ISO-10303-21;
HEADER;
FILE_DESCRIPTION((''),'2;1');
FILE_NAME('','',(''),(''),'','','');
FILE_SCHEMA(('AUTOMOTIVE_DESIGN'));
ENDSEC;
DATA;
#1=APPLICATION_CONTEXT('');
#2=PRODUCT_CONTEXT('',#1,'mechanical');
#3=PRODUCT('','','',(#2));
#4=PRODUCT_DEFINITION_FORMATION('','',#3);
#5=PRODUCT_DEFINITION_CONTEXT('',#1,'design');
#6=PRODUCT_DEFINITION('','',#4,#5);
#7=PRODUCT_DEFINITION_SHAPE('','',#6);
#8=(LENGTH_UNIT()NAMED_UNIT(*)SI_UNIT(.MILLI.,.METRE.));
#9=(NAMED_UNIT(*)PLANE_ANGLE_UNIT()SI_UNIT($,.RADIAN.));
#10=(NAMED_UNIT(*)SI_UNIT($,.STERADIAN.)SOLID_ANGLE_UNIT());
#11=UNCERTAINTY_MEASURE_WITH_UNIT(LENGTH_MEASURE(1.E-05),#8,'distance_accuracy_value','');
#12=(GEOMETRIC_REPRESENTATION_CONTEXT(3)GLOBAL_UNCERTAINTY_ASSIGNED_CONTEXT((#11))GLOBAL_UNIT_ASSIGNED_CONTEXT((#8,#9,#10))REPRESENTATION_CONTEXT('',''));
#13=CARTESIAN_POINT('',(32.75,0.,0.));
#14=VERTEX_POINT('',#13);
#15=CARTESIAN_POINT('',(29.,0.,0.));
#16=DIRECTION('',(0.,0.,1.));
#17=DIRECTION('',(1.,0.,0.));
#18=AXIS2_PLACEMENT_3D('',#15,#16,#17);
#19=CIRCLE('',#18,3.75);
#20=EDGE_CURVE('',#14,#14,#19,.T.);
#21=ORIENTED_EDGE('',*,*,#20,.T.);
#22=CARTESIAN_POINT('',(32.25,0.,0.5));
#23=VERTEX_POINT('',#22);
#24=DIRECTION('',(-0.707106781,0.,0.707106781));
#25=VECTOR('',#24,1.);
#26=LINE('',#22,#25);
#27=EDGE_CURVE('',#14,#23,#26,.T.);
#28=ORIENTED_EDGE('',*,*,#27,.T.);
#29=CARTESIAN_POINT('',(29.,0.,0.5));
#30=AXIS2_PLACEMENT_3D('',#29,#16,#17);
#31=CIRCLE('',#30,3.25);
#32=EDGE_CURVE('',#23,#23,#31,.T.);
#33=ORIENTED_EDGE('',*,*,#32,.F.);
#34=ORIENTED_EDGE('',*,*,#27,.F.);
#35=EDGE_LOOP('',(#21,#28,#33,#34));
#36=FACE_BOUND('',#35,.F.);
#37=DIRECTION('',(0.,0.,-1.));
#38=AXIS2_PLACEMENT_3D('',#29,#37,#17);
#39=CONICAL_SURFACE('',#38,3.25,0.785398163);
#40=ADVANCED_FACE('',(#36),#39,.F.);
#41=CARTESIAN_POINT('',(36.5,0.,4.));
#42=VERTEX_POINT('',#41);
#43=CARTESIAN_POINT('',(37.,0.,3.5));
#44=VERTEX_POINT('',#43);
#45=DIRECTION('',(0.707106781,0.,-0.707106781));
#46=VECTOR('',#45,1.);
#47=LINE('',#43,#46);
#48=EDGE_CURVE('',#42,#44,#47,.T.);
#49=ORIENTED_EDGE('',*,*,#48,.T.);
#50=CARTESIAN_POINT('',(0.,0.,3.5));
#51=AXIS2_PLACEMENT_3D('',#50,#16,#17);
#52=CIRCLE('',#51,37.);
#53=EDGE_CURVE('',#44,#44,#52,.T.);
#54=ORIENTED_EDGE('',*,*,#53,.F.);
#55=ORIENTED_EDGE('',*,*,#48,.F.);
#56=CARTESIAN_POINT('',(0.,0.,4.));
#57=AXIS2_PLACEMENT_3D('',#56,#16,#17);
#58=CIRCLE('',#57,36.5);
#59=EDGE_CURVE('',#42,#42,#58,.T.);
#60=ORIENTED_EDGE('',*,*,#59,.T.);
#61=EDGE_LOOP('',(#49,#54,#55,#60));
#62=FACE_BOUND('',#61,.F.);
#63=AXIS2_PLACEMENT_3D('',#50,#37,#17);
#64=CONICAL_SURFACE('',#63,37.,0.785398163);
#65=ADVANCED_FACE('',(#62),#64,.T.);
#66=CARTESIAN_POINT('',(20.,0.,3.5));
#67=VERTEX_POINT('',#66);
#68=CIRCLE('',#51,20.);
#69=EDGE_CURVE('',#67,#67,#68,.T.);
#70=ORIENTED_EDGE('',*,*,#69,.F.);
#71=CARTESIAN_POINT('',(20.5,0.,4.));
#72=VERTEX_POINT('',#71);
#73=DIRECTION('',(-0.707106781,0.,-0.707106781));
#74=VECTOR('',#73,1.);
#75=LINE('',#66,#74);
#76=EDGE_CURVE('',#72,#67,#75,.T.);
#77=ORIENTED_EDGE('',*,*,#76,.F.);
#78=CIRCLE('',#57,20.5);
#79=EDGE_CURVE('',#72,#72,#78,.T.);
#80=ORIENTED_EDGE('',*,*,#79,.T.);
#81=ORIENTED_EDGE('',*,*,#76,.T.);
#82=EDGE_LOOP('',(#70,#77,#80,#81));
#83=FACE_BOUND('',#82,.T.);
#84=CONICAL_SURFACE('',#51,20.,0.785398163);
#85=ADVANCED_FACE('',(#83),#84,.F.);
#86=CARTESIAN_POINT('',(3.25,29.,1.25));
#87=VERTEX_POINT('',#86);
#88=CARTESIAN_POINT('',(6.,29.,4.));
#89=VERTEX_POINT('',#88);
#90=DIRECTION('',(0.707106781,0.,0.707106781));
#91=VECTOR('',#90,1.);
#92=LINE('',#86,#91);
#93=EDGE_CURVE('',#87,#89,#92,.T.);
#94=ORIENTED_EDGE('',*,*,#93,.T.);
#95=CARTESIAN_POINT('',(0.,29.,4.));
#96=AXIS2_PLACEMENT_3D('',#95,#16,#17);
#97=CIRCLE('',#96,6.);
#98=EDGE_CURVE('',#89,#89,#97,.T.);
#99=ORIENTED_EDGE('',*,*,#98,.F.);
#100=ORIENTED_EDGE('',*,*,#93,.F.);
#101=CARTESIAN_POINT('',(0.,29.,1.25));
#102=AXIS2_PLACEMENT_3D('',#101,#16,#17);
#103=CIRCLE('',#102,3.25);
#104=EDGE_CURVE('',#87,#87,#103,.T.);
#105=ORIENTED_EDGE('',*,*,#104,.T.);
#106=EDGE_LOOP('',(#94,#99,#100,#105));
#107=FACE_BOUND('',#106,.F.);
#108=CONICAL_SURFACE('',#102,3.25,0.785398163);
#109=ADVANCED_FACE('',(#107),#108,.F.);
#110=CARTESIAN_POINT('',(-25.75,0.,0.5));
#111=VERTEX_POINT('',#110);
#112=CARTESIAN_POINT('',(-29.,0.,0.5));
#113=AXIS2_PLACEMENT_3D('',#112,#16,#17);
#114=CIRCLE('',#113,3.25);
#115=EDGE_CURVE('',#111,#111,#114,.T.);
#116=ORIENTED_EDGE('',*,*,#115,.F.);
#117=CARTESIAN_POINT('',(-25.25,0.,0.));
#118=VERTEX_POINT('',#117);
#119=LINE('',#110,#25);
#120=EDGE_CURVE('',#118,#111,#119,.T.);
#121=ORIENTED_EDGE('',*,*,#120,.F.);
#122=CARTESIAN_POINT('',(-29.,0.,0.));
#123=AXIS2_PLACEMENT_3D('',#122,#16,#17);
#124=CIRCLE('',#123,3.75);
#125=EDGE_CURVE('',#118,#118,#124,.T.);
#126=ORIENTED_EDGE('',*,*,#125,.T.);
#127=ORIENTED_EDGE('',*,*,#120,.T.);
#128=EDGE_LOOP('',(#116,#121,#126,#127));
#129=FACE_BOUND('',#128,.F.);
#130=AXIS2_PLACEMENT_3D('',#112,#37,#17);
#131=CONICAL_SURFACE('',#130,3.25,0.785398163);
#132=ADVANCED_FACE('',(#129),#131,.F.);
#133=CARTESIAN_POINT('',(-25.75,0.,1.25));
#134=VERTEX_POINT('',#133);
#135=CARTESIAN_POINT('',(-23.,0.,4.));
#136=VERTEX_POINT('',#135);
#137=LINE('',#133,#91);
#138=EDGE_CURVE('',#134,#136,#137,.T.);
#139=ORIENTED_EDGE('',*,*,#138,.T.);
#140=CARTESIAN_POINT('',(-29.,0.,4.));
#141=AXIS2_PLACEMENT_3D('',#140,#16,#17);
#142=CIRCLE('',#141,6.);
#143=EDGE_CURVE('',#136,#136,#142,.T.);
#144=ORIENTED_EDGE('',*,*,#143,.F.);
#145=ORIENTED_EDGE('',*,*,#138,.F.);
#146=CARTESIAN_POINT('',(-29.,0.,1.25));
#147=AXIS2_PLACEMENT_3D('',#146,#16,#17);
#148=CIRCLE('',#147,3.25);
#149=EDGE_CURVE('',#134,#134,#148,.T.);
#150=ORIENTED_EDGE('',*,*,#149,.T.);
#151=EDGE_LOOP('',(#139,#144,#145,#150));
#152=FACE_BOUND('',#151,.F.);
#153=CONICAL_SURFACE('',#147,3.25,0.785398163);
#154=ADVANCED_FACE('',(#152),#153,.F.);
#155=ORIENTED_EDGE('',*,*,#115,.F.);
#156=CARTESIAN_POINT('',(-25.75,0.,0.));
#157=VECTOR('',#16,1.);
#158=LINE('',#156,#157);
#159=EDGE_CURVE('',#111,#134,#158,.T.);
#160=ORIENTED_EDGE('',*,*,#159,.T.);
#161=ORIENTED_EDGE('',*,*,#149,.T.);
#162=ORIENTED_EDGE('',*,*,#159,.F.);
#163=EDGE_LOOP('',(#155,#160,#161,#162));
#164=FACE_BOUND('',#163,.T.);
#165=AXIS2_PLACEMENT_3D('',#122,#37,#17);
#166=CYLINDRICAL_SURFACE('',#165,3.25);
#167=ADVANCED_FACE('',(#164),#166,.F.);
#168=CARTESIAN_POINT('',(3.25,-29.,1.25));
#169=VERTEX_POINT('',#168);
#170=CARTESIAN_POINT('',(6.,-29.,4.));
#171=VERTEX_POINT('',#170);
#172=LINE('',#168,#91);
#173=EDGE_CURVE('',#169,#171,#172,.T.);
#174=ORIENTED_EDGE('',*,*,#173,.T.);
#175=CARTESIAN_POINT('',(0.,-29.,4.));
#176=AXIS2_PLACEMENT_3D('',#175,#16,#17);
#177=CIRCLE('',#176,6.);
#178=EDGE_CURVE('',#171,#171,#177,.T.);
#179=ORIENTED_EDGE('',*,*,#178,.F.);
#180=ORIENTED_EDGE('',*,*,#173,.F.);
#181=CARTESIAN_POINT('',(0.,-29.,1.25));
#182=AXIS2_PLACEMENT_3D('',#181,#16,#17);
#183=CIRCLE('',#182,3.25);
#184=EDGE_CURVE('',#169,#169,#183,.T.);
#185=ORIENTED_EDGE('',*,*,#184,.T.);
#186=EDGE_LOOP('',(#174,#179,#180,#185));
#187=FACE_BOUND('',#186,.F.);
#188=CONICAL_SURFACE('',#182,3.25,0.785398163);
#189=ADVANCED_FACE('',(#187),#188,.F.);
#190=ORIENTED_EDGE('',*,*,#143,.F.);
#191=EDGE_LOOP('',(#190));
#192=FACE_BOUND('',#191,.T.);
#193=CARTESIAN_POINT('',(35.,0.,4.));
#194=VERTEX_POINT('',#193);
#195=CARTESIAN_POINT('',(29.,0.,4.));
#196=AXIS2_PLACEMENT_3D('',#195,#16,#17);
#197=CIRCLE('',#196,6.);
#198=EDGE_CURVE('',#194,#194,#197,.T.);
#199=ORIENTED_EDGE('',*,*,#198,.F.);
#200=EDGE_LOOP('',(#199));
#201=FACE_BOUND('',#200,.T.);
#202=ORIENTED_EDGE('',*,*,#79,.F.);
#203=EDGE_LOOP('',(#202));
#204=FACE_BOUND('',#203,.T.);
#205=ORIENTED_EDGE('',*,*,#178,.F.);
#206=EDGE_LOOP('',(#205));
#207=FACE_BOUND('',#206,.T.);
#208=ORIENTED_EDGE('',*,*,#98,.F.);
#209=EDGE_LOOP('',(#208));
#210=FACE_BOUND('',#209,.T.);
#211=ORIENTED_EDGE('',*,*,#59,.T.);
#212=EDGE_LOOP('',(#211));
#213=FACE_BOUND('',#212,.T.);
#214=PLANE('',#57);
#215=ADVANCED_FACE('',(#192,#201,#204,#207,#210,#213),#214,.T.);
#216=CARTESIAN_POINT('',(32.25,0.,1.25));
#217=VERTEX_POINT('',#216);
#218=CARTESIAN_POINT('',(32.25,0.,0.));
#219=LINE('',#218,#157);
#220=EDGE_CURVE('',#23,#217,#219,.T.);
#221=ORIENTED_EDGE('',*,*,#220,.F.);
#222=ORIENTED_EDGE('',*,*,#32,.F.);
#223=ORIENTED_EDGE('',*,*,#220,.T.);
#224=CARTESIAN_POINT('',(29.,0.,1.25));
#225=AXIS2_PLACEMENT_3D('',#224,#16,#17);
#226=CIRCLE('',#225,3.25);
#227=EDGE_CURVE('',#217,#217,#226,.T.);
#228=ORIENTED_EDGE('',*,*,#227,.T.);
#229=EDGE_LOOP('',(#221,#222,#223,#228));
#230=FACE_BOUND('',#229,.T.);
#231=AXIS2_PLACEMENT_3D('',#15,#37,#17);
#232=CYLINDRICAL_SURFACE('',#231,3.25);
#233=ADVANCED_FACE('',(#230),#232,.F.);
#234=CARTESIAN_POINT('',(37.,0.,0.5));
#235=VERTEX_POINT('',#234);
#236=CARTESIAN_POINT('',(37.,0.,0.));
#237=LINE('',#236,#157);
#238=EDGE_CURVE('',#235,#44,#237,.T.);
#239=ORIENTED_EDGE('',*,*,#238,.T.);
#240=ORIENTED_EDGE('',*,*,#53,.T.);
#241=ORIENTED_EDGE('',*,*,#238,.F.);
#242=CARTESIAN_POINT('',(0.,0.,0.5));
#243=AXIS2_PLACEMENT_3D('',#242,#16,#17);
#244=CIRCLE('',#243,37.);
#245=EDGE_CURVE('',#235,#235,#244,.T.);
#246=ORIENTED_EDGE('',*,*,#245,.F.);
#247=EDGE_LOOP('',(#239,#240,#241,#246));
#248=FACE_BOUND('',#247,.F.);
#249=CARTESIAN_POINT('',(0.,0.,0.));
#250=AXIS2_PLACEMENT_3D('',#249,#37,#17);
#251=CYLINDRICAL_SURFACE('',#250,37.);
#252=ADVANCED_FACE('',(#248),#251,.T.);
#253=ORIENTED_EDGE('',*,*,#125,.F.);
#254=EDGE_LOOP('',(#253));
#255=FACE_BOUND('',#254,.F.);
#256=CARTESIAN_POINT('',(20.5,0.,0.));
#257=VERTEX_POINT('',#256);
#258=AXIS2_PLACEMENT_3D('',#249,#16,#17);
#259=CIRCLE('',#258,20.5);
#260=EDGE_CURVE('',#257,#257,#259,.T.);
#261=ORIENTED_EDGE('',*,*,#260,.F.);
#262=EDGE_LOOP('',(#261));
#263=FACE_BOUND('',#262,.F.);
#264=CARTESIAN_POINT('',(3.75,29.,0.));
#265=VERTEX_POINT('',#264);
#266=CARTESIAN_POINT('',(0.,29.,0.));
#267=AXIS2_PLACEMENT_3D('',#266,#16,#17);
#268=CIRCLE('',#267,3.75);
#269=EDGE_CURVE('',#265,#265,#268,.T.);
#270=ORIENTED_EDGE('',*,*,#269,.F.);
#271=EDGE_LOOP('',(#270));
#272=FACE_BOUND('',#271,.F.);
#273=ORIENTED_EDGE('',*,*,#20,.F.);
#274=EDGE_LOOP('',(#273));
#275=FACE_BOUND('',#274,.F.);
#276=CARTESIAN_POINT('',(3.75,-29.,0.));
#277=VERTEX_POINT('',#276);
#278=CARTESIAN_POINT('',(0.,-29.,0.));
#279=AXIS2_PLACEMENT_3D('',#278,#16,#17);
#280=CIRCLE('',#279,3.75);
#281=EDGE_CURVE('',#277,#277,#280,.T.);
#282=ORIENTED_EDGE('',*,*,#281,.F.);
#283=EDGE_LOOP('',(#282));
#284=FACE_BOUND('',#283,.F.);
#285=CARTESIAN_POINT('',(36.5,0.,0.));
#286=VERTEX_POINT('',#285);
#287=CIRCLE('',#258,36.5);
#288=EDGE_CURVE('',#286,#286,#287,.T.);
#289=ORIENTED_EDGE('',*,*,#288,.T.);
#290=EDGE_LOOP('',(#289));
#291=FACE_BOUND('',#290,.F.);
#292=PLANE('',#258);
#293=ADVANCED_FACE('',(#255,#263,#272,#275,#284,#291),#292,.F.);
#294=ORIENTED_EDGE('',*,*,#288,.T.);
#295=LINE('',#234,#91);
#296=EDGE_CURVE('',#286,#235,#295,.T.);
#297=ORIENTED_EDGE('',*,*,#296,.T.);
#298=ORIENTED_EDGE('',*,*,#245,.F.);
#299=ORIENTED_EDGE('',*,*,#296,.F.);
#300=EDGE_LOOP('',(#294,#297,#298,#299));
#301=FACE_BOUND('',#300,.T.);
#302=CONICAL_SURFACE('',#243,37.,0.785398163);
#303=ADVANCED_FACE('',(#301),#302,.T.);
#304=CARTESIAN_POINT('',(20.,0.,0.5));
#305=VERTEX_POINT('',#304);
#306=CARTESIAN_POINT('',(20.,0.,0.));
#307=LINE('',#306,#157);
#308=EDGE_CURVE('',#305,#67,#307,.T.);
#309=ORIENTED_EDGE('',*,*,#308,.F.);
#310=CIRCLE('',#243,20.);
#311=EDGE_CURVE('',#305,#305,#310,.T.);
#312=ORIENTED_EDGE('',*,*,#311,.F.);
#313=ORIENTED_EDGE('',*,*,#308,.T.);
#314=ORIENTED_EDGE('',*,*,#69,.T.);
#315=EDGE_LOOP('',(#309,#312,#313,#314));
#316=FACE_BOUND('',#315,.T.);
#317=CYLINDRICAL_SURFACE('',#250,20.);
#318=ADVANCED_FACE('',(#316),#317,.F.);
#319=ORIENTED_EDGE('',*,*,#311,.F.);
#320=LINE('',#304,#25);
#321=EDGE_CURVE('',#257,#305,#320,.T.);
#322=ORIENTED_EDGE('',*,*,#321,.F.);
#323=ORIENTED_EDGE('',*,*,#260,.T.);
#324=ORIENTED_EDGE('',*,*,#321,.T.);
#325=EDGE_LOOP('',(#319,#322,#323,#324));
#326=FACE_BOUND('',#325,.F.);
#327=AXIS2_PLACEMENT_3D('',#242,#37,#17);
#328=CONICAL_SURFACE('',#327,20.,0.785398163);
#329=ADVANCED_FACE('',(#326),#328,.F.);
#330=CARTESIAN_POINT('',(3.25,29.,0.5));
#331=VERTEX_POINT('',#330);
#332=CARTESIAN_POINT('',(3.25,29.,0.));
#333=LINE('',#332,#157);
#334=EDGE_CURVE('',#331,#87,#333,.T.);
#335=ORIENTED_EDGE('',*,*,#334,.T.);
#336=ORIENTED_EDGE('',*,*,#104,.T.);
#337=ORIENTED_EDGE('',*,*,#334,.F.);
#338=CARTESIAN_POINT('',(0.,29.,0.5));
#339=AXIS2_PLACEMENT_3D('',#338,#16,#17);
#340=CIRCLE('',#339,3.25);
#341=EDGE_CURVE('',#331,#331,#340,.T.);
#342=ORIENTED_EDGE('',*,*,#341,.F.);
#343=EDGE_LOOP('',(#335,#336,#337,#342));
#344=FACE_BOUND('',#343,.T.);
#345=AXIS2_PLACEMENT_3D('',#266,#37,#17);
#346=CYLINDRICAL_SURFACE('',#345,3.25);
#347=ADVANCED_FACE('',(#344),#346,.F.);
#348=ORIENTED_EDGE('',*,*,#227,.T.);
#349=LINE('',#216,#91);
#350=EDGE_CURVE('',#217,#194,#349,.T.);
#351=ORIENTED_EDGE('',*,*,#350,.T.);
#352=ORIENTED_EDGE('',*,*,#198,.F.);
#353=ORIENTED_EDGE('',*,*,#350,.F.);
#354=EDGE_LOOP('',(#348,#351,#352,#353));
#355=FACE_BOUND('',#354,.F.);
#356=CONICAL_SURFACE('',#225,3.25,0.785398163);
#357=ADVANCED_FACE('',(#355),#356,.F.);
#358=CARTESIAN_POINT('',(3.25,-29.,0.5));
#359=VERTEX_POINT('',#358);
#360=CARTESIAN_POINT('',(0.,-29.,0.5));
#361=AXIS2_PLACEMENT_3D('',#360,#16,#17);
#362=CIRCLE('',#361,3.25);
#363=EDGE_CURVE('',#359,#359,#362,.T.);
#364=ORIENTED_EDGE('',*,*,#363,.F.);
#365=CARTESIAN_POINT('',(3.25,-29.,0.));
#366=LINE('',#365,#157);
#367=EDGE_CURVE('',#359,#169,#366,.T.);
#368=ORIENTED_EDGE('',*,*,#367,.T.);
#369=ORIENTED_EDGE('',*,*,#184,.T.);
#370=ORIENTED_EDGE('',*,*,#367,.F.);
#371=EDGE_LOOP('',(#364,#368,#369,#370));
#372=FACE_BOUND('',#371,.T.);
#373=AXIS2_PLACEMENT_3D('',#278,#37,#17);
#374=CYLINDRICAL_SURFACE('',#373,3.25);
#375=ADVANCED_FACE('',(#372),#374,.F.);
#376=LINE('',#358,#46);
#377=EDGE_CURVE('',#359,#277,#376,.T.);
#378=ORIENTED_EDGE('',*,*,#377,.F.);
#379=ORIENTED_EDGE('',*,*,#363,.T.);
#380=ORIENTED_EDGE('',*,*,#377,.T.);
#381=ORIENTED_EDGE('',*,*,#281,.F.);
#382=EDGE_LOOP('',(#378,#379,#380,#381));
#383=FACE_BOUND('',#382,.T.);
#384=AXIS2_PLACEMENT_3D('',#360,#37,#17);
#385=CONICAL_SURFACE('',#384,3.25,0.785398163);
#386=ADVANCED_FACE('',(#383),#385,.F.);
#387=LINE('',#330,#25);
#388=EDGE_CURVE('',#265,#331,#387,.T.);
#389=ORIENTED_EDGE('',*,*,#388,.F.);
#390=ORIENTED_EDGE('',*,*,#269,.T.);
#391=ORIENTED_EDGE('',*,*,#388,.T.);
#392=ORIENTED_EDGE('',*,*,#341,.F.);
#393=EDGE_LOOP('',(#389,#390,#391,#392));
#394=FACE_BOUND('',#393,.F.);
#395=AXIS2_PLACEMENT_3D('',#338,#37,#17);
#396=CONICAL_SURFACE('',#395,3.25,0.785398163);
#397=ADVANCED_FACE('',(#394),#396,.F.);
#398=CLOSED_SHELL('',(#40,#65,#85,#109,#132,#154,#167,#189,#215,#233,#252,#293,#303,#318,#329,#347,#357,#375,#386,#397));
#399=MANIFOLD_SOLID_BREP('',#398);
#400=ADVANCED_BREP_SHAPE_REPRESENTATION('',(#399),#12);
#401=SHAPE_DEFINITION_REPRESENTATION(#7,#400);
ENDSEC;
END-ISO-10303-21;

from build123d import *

# Parameters (mm, degrees)
F0_R     = 37
F0_R_2   = 3.25
F0_R_3   = 20
F1_DEPTH = 4
F2_SIZE  = 2.75
F3_SIZE  = 0.5


with BuildPart() as f1:
    # F0 (on Top) → F1 (new body)
    with BuildSketch(Plane.XY):
        Circle(F0_R)
        with Locations((0, -29)):
            Circle(F0_R_2, mode=Mode.SUBTRACT)
        with Locations((-29, 0)):
            Circle(F0_R_2, mode=Mode.SUBTRACT)
        Circle(F0_R_3, mode=Mode.SUBTRACT)
        with Locations((29, 0)):
            Circle(F0_R_2, mode=Mode.SUBTRACT)
        with Locations((0, 29)):
            Circle(F0_R_2, mode=Mode.SUBTRACT)
    extrude(amount=F1_DEPTH)

    # F2
    f2_edges = [f1.edges().sort_by_distance(p)[0] for p in [
        (-3.25, -29, 4),
        (-32.25, 0, 4),
        (-3.25, 29, 4),
        (25.75, 0, 4),
    ]]
    chamfer(f2_edges, length=F2_SIZE)

    # F3
    f3_edges = [f1.edges().sort_by_distance(p)[0] for p in [
        (20, 0, 2),
        (-20, 0, 0),
        (-20, 0, 4),
        (37, 0, 2),
        (-37, 0, 0),
        (-37, 0, 4),
        (-3.25, -29, 0),
        (-32.25, 0, 0),
        (25.75, 0, 0),
        (-3.25, 29, 0),
    ]]
    chamfer(f3_edges, length=F3_SIZE)


solid = f1.part
